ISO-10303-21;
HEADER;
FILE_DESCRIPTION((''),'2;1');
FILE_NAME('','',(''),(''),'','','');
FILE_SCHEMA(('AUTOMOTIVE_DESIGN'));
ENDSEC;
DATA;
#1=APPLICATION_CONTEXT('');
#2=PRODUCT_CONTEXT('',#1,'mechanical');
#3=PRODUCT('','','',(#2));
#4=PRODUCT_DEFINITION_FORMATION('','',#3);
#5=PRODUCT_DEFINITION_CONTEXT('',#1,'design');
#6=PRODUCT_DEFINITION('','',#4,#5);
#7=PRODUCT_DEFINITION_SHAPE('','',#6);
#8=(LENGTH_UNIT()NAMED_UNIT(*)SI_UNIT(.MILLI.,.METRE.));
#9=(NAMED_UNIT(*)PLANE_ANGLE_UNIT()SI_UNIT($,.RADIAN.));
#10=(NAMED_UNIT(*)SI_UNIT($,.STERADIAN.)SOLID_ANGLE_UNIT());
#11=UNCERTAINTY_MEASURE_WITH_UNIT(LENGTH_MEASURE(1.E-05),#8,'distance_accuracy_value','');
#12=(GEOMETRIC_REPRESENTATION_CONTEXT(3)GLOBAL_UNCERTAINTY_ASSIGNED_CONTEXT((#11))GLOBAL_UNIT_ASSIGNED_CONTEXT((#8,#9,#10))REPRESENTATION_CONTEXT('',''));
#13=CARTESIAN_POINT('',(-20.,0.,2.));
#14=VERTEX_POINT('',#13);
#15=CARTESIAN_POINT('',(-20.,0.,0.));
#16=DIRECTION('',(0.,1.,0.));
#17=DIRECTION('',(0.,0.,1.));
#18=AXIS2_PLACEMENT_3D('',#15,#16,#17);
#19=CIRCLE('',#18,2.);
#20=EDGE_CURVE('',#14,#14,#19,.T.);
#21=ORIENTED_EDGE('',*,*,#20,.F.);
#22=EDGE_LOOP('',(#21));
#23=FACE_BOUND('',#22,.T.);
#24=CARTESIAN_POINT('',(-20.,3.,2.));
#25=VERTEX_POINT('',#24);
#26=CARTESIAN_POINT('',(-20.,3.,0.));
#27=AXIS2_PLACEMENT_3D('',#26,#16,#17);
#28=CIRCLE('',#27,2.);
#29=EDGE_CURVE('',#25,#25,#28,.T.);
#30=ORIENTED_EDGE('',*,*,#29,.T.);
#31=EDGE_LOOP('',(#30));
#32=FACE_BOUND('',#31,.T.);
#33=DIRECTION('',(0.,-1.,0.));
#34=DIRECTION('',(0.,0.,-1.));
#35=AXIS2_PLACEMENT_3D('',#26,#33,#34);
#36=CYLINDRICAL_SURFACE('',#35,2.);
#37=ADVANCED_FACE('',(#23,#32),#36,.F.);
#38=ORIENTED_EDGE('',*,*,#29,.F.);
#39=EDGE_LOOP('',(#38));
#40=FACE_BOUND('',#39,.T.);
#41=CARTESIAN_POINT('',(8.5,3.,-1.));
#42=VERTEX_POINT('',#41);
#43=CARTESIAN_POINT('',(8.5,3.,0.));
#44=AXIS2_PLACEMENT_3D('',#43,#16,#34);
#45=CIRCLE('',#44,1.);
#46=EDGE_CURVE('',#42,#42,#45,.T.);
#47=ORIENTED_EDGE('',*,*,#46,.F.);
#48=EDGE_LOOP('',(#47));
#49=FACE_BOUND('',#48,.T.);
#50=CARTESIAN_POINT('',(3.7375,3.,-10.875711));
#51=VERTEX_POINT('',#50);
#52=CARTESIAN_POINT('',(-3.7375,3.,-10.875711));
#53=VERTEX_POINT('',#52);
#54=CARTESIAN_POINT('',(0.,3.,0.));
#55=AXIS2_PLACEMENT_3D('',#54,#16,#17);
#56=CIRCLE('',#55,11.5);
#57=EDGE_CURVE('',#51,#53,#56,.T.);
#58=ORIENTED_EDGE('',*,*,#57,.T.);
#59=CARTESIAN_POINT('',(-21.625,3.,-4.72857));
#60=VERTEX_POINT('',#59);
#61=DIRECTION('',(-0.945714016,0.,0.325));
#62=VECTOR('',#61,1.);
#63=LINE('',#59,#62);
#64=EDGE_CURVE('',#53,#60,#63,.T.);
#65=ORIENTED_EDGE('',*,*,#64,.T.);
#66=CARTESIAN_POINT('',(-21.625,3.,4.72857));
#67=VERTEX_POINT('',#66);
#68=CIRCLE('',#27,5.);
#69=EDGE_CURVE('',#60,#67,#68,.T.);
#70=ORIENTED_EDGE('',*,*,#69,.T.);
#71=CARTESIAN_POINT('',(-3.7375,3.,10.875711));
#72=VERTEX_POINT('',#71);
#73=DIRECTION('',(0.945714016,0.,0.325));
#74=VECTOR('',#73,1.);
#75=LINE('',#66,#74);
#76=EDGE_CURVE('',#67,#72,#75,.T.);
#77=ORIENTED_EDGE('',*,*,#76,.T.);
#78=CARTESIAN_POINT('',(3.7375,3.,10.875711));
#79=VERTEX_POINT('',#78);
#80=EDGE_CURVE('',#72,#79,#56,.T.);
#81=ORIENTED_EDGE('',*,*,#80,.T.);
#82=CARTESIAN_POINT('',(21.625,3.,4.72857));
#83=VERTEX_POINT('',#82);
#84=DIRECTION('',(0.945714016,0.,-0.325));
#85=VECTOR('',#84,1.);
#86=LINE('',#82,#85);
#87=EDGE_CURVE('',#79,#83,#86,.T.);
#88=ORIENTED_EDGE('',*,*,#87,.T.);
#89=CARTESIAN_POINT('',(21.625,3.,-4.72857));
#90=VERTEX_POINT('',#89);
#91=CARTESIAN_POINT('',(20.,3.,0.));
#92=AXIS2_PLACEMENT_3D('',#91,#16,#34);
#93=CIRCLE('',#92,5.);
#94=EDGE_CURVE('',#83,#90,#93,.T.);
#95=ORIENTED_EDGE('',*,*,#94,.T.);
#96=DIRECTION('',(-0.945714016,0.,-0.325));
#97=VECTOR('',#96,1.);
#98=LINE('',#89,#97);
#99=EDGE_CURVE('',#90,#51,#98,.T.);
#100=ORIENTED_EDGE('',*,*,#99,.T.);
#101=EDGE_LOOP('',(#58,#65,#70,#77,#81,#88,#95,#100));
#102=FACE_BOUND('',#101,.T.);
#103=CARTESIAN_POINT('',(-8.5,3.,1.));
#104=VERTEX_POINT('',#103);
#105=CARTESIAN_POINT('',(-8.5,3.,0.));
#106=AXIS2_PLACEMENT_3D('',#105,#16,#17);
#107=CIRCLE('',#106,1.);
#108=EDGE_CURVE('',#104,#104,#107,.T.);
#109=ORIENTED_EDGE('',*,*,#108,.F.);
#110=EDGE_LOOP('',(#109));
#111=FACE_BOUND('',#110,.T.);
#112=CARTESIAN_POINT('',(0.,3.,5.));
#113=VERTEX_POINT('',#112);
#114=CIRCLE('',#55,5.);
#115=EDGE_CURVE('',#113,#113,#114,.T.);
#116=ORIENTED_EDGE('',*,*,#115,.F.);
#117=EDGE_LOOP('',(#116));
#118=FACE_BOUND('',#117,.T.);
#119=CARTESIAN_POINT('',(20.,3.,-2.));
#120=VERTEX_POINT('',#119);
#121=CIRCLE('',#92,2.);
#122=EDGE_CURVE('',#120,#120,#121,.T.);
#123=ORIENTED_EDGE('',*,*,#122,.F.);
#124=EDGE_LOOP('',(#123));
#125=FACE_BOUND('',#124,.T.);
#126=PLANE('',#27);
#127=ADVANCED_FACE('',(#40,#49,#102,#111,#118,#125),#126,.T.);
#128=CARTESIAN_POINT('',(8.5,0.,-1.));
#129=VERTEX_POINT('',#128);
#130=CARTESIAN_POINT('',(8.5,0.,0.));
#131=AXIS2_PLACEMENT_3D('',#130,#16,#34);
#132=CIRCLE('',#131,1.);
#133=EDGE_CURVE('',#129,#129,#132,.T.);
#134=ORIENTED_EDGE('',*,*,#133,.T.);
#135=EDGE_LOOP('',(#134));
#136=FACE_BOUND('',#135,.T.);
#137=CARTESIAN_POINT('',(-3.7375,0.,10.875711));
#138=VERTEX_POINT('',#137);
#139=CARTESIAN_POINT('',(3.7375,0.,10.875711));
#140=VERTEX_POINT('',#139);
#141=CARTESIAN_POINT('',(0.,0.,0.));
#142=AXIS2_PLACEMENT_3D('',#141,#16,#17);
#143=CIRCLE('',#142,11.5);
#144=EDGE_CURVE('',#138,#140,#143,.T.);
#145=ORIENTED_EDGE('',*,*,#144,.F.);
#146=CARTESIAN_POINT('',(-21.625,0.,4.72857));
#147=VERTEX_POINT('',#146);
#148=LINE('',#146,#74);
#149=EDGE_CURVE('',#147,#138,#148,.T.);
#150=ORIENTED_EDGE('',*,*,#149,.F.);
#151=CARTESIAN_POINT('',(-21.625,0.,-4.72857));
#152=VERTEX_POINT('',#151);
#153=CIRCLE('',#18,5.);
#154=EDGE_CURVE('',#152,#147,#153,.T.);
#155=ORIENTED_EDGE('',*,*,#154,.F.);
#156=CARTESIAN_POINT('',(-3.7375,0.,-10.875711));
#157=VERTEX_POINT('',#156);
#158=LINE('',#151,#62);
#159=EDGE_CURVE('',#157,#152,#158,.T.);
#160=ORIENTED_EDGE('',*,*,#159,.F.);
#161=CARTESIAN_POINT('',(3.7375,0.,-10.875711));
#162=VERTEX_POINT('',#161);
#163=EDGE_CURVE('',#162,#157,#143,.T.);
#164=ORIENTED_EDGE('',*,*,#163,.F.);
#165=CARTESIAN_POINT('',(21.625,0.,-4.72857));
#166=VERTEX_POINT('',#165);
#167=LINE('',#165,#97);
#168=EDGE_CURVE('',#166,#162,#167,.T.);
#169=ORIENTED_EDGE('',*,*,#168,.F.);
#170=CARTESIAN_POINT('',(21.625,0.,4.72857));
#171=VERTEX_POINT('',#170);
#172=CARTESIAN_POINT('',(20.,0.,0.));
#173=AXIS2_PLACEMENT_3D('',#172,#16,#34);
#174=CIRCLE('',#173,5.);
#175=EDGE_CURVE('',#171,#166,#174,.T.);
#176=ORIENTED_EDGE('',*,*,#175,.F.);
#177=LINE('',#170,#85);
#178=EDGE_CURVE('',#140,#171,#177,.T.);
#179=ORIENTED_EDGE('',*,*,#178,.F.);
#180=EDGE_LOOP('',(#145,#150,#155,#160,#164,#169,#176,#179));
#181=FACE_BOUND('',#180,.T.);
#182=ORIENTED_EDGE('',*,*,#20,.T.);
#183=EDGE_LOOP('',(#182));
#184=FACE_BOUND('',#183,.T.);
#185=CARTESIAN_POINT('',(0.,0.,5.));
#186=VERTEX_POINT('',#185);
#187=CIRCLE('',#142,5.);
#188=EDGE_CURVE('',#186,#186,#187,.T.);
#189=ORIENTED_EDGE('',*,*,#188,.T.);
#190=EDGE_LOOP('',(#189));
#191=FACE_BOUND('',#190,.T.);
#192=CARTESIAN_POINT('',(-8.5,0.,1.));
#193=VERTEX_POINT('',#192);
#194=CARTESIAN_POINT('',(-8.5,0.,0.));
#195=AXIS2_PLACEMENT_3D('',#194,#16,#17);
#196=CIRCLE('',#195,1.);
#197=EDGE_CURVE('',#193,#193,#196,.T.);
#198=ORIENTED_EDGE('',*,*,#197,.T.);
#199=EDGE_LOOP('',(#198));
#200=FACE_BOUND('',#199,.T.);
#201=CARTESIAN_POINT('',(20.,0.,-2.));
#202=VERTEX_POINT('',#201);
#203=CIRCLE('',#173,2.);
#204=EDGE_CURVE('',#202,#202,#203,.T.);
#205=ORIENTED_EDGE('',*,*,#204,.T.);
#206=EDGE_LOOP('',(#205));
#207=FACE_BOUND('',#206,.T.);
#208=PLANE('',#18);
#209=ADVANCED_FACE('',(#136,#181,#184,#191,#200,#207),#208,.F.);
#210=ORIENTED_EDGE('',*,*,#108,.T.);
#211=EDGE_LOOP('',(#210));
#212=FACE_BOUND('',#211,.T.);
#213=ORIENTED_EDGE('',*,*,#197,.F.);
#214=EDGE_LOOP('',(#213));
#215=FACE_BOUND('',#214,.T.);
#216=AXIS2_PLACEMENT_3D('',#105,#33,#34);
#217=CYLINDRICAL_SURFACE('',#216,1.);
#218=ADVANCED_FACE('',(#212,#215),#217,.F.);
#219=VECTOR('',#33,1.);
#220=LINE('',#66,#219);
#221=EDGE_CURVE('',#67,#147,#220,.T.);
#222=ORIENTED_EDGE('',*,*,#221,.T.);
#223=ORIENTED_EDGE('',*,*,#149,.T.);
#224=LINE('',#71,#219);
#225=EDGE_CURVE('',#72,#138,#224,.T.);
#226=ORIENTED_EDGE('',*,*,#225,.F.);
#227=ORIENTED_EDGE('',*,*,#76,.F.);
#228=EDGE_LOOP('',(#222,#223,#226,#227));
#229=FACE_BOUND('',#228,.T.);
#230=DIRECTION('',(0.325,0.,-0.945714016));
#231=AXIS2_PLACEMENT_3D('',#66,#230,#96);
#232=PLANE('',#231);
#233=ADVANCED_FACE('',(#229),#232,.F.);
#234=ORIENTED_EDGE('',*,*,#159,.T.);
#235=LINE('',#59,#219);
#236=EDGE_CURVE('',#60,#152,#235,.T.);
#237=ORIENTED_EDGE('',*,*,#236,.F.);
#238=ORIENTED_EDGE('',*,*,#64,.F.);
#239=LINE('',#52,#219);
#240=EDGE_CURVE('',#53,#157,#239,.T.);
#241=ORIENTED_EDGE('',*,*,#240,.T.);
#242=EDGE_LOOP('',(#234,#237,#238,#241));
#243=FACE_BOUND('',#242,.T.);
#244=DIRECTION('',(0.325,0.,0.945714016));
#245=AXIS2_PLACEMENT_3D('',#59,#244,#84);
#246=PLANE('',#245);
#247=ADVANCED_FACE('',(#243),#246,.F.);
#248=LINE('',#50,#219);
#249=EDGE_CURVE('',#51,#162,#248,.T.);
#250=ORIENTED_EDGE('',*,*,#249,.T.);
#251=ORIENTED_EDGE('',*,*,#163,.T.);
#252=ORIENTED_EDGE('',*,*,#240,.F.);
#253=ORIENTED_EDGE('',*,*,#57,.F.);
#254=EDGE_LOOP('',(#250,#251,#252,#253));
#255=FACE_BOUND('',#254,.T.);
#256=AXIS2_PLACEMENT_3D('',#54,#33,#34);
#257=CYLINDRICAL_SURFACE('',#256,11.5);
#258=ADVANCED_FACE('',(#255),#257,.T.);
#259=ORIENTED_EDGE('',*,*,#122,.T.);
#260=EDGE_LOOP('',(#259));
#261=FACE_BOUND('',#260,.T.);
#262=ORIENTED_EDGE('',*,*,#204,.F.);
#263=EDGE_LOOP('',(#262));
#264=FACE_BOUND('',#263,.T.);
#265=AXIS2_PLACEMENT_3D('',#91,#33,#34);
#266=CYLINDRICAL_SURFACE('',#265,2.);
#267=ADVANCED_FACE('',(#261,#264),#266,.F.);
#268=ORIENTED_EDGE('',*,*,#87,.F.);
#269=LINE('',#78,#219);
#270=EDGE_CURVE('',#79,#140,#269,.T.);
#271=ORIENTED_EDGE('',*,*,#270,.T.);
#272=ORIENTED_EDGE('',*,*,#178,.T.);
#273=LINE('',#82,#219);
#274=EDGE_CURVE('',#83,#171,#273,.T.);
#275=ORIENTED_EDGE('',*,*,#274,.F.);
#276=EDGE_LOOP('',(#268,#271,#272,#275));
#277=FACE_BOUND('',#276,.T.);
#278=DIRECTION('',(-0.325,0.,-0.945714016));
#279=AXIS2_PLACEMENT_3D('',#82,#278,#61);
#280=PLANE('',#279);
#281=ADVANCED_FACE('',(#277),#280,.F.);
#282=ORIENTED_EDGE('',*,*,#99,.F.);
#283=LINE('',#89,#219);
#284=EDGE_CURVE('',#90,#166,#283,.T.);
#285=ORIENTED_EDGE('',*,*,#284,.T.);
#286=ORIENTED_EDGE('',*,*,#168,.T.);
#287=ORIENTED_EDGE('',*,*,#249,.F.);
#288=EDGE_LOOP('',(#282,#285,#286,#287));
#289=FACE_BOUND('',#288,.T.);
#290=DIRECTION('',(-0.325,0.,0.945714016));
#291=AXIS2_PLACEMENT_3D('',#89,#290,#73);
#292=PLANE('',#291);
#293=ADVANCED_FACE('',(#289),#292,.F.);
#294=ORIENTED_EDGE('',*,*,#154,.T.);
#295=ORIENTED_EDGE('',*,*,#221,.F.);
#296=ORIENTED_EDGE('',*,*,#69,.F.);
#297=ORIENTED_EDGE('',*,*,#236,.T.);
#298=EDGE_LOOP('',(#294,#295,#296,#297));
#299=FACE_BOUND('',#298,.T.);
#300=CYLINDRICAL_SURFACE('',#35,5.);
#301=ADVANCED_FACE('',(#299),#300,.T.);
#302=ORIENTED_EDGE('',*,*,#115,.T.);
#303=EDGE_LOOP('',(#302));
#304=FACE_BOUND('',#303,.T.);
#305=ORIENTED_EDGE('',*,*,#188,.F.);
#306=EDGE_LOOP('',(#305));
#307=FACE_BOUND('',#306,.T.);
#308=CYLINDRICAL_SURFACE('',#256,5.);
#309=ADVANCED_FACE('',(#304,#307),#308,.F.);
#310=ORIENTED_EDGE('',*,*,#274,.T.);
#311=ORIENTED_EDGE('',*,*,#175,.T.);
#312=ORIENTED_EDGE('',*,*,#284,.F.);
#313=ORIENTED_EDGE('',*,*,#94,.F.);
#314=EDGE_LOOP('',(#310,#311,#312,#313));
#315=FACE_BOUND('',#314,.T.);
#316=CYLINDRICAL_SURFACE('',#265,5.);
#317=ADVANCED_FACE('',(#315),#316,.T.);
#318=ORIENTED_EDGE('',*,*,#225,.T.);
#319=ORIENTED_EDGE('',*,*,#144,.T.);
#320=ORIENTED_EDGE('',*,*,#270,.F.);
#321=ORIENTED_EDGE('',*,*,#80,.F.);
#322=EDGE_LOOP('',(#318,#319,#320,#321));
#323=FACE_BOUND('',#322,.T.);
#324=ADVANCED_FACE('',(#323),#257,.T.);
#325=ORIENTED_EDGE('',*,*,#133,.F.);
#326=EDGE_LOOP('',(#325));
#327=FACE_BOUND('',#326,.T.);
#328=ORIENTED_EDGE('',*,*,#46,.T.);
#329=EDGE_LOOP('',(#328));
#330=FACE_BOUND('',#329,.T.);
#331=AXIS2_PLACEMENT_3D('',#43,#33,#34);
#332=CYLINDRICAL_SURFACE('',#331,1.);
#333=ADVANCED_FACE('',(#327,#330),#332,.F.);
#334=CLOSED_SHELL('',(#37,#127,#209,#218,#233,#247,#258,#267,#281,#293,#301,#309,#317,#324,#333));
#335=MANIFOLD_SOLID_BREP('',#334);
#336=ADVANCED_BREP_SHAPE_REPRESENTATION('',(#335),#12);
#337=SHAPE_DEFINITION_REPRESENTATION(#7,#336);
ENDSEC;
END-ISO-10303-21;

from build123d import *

# Parameters (mm, degrees)
SKETCH1_R           = 2
SKETCH1_R_2         = 1
SKETCH1_R_3         = 5
BOSS_EXTRUDE1_DEPTH = 3


with BuildPart() as part:
    # Sketch1 → Boss-Extrude1 (new body)
    with BuildSketch(Plane(origin=(0, 0, 0), x_dir=(1, 0, 0), z_dir=(0, 1, 0))):
        with BuildLine():
            Line((-21.625, 4.72857008), (-3.7375, 10.875711184))
            ThreePointArc((-3.7375, 10.875711184), (0, 11.5), (3.7375, 10.875711184))
            Line((3.7375, 10.875711184), (21.625, 4.72857008))
            ThreePointArc((21.625, 4.72857008), (25, 0), (21.625, -4.72857008))
            Line((21.625, -4.72857008), (3.7375, -10.875711184))
            ThreePointArc((3.7375, -10.875711184), (0, -11.5), (-3.7375, -10.875711184))
            Line((-3.7375, -10.875711184), (-21.625, -4.72857008))
            ThreePointArc((-21.625, -4.72857008), (-25, 0), (-21.625, 4.72857008))
        make_face()
        with Locations(Location((-20, 0, 0), (0, 0, 270))):
            Circle(SKETCH1_R, mode=Mode.SUBTRACT)
        with Locations(Location((-8.5, 0, 0), (0, 0, 270))):
            Circle(SKETCH1_R_2, mode=Mode.SUBTRACT)
        with Locations(Location((8.5, 0, 0), (0, 0, 90))):
            Circle(SKETCH1_R_2, mode=Mode.SUBTRACT)
        with Locations(Location((20, 0, 0), (0, 0, 90))):
            Circle(SKETCH1_R, mode=Mode.SUBTRACT)
        with Locations(Location((0, 0, 0), (0, 0, 270))):
            Circle(SKETCH1_R_3, mode=Mode.SUBTRACT)
    extrude(amount=BOSS_EXTRUDE1_DEPTH)


solid = part.part
